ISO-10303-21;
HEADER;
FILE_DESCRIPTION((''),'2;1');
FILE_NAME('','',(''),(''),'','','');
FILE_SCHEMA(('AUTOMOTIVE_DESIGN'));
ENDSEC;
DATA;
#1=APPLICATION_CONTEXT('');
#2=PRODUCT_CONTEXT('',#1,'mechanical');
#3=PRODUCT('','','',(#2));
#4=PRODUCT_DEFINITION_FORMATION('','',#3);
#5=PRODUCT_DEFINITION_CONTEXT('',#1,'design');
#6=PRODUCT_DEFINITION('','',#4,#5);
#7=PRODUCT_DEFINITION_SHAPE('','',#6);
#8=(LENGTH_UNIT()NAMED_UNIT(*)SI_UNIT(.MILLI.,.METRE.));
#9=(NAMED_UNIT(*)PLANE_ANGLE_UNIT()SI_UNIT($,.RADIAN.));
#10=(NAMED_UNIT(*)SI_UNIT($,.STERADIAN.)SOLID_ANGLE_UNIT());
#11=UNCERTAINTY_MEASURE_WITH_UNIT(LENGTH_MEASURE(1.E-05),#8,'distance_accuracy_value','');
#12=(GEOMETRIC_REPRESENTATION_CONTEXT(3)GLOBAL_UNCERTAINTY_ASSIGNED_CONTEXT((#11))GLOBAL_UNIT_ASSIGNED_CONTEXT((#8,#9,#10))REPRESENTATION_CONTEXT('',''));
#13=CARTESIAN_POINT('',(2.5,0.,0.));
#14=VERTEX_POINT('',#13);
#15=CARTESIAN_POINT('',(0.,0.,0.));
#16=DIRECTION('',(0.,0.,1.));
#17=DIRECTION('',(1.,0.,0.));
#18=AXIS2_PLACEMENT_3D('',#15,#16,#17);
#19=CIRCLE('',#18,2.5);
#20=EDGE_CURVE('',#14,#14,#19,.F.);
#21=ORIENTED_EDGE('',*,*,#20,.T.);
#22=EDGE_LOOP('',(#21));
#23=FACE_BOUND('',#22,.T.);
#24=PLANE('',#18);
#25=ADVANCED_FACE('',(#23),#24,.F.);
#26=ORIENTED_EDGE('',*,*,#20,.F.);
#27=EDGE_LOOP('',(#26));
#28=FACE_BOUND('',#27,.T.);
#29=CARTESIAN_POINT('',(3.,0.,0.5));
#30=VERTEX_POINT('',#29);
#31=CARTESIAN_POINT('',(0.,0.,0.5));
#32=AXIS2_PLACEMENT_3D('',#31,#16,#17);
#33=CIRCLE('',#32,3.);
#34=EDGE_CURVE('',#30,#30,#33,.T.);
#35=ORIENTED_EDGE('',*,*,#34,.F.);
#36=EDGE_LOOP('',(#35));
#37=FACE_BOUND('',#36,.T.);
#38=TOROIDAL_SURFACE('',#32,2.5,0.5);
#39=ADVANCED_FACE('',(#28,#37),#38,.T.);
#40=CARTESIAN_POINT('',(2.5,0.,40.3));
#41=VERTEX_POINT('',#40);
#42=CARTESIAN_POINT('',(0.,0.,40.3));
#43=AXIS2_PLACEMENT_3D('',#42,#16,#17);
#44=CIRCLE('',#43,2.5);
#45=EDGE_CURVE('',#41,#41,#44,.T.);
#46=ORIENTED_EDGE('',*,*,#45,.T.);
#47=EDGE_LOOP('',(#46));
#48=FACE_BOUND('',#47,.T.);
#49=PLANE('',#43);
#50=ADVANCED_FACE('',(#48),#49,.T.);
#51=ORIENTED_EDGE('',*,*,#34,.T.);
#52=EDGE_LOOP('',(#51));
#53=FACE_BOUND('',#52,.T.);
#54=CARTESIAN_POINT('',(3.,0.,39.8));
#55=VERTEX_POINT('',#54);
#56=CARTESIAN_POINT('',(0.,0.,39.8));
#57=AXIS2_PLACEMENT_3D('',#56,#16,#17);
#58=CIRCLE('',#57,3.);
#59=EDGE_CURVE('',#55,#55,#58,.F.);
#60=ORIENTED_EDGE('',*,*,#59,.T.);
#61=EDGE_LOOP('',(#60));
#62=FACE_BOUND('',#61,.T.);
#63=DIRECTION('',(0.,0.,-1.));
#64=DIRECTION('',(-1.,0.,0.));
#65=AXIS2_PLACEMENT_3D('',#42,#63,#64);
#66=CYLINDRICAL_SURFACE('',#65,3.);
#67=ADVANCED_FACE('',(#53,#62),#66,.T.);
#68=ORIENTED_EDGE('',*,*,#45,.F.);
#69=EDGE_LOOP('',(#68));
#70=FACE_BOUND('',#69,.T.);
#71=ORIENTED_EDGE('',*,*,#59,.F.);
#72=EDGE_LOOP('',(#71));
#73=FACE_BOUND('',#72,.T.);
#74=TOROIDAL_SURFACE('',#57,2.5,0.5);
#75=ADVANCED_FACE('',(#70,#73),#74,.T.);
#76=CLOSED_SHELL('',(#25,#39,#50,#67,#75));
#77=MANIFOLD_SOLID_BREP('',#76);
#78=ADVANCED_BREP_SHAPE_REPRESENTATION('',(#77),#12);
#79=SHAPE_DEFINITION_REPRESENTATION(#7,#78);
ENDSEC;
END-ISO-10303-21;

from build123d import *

# Parameters (mm, degrees)
SKETCH1_R           = 3
BOSS_EXTRUDE1_DEPTH = 40.3
FILLET1_R           = 0.5
FILLET2_R           = 0.5


with BuildPart() as part:
    # Sketch1 → Boss-Extrude1 (new body)
    with BuildSketch(Plane.XY):
        Circle(SKETCH1_R)
    extrude(amount=BOSS_EXTRUDE1_DEPTH)

    # Fillet1
    fillet1_edges = [part.edges().sort_by_distance(p)[0] for p in [
        (-3, 0, 0),
    ]]
    fillet(fillet1_edges, radius=FILLET1_R)

    # Fillet2
    fillet2_edges = [part.edges().sort_by_distance(p)[0] for p in [
        (-3, 0, 40.3),
    ]]
    fillet(fillet2_edges, radius=FILLET2_R)


solid = part.part
